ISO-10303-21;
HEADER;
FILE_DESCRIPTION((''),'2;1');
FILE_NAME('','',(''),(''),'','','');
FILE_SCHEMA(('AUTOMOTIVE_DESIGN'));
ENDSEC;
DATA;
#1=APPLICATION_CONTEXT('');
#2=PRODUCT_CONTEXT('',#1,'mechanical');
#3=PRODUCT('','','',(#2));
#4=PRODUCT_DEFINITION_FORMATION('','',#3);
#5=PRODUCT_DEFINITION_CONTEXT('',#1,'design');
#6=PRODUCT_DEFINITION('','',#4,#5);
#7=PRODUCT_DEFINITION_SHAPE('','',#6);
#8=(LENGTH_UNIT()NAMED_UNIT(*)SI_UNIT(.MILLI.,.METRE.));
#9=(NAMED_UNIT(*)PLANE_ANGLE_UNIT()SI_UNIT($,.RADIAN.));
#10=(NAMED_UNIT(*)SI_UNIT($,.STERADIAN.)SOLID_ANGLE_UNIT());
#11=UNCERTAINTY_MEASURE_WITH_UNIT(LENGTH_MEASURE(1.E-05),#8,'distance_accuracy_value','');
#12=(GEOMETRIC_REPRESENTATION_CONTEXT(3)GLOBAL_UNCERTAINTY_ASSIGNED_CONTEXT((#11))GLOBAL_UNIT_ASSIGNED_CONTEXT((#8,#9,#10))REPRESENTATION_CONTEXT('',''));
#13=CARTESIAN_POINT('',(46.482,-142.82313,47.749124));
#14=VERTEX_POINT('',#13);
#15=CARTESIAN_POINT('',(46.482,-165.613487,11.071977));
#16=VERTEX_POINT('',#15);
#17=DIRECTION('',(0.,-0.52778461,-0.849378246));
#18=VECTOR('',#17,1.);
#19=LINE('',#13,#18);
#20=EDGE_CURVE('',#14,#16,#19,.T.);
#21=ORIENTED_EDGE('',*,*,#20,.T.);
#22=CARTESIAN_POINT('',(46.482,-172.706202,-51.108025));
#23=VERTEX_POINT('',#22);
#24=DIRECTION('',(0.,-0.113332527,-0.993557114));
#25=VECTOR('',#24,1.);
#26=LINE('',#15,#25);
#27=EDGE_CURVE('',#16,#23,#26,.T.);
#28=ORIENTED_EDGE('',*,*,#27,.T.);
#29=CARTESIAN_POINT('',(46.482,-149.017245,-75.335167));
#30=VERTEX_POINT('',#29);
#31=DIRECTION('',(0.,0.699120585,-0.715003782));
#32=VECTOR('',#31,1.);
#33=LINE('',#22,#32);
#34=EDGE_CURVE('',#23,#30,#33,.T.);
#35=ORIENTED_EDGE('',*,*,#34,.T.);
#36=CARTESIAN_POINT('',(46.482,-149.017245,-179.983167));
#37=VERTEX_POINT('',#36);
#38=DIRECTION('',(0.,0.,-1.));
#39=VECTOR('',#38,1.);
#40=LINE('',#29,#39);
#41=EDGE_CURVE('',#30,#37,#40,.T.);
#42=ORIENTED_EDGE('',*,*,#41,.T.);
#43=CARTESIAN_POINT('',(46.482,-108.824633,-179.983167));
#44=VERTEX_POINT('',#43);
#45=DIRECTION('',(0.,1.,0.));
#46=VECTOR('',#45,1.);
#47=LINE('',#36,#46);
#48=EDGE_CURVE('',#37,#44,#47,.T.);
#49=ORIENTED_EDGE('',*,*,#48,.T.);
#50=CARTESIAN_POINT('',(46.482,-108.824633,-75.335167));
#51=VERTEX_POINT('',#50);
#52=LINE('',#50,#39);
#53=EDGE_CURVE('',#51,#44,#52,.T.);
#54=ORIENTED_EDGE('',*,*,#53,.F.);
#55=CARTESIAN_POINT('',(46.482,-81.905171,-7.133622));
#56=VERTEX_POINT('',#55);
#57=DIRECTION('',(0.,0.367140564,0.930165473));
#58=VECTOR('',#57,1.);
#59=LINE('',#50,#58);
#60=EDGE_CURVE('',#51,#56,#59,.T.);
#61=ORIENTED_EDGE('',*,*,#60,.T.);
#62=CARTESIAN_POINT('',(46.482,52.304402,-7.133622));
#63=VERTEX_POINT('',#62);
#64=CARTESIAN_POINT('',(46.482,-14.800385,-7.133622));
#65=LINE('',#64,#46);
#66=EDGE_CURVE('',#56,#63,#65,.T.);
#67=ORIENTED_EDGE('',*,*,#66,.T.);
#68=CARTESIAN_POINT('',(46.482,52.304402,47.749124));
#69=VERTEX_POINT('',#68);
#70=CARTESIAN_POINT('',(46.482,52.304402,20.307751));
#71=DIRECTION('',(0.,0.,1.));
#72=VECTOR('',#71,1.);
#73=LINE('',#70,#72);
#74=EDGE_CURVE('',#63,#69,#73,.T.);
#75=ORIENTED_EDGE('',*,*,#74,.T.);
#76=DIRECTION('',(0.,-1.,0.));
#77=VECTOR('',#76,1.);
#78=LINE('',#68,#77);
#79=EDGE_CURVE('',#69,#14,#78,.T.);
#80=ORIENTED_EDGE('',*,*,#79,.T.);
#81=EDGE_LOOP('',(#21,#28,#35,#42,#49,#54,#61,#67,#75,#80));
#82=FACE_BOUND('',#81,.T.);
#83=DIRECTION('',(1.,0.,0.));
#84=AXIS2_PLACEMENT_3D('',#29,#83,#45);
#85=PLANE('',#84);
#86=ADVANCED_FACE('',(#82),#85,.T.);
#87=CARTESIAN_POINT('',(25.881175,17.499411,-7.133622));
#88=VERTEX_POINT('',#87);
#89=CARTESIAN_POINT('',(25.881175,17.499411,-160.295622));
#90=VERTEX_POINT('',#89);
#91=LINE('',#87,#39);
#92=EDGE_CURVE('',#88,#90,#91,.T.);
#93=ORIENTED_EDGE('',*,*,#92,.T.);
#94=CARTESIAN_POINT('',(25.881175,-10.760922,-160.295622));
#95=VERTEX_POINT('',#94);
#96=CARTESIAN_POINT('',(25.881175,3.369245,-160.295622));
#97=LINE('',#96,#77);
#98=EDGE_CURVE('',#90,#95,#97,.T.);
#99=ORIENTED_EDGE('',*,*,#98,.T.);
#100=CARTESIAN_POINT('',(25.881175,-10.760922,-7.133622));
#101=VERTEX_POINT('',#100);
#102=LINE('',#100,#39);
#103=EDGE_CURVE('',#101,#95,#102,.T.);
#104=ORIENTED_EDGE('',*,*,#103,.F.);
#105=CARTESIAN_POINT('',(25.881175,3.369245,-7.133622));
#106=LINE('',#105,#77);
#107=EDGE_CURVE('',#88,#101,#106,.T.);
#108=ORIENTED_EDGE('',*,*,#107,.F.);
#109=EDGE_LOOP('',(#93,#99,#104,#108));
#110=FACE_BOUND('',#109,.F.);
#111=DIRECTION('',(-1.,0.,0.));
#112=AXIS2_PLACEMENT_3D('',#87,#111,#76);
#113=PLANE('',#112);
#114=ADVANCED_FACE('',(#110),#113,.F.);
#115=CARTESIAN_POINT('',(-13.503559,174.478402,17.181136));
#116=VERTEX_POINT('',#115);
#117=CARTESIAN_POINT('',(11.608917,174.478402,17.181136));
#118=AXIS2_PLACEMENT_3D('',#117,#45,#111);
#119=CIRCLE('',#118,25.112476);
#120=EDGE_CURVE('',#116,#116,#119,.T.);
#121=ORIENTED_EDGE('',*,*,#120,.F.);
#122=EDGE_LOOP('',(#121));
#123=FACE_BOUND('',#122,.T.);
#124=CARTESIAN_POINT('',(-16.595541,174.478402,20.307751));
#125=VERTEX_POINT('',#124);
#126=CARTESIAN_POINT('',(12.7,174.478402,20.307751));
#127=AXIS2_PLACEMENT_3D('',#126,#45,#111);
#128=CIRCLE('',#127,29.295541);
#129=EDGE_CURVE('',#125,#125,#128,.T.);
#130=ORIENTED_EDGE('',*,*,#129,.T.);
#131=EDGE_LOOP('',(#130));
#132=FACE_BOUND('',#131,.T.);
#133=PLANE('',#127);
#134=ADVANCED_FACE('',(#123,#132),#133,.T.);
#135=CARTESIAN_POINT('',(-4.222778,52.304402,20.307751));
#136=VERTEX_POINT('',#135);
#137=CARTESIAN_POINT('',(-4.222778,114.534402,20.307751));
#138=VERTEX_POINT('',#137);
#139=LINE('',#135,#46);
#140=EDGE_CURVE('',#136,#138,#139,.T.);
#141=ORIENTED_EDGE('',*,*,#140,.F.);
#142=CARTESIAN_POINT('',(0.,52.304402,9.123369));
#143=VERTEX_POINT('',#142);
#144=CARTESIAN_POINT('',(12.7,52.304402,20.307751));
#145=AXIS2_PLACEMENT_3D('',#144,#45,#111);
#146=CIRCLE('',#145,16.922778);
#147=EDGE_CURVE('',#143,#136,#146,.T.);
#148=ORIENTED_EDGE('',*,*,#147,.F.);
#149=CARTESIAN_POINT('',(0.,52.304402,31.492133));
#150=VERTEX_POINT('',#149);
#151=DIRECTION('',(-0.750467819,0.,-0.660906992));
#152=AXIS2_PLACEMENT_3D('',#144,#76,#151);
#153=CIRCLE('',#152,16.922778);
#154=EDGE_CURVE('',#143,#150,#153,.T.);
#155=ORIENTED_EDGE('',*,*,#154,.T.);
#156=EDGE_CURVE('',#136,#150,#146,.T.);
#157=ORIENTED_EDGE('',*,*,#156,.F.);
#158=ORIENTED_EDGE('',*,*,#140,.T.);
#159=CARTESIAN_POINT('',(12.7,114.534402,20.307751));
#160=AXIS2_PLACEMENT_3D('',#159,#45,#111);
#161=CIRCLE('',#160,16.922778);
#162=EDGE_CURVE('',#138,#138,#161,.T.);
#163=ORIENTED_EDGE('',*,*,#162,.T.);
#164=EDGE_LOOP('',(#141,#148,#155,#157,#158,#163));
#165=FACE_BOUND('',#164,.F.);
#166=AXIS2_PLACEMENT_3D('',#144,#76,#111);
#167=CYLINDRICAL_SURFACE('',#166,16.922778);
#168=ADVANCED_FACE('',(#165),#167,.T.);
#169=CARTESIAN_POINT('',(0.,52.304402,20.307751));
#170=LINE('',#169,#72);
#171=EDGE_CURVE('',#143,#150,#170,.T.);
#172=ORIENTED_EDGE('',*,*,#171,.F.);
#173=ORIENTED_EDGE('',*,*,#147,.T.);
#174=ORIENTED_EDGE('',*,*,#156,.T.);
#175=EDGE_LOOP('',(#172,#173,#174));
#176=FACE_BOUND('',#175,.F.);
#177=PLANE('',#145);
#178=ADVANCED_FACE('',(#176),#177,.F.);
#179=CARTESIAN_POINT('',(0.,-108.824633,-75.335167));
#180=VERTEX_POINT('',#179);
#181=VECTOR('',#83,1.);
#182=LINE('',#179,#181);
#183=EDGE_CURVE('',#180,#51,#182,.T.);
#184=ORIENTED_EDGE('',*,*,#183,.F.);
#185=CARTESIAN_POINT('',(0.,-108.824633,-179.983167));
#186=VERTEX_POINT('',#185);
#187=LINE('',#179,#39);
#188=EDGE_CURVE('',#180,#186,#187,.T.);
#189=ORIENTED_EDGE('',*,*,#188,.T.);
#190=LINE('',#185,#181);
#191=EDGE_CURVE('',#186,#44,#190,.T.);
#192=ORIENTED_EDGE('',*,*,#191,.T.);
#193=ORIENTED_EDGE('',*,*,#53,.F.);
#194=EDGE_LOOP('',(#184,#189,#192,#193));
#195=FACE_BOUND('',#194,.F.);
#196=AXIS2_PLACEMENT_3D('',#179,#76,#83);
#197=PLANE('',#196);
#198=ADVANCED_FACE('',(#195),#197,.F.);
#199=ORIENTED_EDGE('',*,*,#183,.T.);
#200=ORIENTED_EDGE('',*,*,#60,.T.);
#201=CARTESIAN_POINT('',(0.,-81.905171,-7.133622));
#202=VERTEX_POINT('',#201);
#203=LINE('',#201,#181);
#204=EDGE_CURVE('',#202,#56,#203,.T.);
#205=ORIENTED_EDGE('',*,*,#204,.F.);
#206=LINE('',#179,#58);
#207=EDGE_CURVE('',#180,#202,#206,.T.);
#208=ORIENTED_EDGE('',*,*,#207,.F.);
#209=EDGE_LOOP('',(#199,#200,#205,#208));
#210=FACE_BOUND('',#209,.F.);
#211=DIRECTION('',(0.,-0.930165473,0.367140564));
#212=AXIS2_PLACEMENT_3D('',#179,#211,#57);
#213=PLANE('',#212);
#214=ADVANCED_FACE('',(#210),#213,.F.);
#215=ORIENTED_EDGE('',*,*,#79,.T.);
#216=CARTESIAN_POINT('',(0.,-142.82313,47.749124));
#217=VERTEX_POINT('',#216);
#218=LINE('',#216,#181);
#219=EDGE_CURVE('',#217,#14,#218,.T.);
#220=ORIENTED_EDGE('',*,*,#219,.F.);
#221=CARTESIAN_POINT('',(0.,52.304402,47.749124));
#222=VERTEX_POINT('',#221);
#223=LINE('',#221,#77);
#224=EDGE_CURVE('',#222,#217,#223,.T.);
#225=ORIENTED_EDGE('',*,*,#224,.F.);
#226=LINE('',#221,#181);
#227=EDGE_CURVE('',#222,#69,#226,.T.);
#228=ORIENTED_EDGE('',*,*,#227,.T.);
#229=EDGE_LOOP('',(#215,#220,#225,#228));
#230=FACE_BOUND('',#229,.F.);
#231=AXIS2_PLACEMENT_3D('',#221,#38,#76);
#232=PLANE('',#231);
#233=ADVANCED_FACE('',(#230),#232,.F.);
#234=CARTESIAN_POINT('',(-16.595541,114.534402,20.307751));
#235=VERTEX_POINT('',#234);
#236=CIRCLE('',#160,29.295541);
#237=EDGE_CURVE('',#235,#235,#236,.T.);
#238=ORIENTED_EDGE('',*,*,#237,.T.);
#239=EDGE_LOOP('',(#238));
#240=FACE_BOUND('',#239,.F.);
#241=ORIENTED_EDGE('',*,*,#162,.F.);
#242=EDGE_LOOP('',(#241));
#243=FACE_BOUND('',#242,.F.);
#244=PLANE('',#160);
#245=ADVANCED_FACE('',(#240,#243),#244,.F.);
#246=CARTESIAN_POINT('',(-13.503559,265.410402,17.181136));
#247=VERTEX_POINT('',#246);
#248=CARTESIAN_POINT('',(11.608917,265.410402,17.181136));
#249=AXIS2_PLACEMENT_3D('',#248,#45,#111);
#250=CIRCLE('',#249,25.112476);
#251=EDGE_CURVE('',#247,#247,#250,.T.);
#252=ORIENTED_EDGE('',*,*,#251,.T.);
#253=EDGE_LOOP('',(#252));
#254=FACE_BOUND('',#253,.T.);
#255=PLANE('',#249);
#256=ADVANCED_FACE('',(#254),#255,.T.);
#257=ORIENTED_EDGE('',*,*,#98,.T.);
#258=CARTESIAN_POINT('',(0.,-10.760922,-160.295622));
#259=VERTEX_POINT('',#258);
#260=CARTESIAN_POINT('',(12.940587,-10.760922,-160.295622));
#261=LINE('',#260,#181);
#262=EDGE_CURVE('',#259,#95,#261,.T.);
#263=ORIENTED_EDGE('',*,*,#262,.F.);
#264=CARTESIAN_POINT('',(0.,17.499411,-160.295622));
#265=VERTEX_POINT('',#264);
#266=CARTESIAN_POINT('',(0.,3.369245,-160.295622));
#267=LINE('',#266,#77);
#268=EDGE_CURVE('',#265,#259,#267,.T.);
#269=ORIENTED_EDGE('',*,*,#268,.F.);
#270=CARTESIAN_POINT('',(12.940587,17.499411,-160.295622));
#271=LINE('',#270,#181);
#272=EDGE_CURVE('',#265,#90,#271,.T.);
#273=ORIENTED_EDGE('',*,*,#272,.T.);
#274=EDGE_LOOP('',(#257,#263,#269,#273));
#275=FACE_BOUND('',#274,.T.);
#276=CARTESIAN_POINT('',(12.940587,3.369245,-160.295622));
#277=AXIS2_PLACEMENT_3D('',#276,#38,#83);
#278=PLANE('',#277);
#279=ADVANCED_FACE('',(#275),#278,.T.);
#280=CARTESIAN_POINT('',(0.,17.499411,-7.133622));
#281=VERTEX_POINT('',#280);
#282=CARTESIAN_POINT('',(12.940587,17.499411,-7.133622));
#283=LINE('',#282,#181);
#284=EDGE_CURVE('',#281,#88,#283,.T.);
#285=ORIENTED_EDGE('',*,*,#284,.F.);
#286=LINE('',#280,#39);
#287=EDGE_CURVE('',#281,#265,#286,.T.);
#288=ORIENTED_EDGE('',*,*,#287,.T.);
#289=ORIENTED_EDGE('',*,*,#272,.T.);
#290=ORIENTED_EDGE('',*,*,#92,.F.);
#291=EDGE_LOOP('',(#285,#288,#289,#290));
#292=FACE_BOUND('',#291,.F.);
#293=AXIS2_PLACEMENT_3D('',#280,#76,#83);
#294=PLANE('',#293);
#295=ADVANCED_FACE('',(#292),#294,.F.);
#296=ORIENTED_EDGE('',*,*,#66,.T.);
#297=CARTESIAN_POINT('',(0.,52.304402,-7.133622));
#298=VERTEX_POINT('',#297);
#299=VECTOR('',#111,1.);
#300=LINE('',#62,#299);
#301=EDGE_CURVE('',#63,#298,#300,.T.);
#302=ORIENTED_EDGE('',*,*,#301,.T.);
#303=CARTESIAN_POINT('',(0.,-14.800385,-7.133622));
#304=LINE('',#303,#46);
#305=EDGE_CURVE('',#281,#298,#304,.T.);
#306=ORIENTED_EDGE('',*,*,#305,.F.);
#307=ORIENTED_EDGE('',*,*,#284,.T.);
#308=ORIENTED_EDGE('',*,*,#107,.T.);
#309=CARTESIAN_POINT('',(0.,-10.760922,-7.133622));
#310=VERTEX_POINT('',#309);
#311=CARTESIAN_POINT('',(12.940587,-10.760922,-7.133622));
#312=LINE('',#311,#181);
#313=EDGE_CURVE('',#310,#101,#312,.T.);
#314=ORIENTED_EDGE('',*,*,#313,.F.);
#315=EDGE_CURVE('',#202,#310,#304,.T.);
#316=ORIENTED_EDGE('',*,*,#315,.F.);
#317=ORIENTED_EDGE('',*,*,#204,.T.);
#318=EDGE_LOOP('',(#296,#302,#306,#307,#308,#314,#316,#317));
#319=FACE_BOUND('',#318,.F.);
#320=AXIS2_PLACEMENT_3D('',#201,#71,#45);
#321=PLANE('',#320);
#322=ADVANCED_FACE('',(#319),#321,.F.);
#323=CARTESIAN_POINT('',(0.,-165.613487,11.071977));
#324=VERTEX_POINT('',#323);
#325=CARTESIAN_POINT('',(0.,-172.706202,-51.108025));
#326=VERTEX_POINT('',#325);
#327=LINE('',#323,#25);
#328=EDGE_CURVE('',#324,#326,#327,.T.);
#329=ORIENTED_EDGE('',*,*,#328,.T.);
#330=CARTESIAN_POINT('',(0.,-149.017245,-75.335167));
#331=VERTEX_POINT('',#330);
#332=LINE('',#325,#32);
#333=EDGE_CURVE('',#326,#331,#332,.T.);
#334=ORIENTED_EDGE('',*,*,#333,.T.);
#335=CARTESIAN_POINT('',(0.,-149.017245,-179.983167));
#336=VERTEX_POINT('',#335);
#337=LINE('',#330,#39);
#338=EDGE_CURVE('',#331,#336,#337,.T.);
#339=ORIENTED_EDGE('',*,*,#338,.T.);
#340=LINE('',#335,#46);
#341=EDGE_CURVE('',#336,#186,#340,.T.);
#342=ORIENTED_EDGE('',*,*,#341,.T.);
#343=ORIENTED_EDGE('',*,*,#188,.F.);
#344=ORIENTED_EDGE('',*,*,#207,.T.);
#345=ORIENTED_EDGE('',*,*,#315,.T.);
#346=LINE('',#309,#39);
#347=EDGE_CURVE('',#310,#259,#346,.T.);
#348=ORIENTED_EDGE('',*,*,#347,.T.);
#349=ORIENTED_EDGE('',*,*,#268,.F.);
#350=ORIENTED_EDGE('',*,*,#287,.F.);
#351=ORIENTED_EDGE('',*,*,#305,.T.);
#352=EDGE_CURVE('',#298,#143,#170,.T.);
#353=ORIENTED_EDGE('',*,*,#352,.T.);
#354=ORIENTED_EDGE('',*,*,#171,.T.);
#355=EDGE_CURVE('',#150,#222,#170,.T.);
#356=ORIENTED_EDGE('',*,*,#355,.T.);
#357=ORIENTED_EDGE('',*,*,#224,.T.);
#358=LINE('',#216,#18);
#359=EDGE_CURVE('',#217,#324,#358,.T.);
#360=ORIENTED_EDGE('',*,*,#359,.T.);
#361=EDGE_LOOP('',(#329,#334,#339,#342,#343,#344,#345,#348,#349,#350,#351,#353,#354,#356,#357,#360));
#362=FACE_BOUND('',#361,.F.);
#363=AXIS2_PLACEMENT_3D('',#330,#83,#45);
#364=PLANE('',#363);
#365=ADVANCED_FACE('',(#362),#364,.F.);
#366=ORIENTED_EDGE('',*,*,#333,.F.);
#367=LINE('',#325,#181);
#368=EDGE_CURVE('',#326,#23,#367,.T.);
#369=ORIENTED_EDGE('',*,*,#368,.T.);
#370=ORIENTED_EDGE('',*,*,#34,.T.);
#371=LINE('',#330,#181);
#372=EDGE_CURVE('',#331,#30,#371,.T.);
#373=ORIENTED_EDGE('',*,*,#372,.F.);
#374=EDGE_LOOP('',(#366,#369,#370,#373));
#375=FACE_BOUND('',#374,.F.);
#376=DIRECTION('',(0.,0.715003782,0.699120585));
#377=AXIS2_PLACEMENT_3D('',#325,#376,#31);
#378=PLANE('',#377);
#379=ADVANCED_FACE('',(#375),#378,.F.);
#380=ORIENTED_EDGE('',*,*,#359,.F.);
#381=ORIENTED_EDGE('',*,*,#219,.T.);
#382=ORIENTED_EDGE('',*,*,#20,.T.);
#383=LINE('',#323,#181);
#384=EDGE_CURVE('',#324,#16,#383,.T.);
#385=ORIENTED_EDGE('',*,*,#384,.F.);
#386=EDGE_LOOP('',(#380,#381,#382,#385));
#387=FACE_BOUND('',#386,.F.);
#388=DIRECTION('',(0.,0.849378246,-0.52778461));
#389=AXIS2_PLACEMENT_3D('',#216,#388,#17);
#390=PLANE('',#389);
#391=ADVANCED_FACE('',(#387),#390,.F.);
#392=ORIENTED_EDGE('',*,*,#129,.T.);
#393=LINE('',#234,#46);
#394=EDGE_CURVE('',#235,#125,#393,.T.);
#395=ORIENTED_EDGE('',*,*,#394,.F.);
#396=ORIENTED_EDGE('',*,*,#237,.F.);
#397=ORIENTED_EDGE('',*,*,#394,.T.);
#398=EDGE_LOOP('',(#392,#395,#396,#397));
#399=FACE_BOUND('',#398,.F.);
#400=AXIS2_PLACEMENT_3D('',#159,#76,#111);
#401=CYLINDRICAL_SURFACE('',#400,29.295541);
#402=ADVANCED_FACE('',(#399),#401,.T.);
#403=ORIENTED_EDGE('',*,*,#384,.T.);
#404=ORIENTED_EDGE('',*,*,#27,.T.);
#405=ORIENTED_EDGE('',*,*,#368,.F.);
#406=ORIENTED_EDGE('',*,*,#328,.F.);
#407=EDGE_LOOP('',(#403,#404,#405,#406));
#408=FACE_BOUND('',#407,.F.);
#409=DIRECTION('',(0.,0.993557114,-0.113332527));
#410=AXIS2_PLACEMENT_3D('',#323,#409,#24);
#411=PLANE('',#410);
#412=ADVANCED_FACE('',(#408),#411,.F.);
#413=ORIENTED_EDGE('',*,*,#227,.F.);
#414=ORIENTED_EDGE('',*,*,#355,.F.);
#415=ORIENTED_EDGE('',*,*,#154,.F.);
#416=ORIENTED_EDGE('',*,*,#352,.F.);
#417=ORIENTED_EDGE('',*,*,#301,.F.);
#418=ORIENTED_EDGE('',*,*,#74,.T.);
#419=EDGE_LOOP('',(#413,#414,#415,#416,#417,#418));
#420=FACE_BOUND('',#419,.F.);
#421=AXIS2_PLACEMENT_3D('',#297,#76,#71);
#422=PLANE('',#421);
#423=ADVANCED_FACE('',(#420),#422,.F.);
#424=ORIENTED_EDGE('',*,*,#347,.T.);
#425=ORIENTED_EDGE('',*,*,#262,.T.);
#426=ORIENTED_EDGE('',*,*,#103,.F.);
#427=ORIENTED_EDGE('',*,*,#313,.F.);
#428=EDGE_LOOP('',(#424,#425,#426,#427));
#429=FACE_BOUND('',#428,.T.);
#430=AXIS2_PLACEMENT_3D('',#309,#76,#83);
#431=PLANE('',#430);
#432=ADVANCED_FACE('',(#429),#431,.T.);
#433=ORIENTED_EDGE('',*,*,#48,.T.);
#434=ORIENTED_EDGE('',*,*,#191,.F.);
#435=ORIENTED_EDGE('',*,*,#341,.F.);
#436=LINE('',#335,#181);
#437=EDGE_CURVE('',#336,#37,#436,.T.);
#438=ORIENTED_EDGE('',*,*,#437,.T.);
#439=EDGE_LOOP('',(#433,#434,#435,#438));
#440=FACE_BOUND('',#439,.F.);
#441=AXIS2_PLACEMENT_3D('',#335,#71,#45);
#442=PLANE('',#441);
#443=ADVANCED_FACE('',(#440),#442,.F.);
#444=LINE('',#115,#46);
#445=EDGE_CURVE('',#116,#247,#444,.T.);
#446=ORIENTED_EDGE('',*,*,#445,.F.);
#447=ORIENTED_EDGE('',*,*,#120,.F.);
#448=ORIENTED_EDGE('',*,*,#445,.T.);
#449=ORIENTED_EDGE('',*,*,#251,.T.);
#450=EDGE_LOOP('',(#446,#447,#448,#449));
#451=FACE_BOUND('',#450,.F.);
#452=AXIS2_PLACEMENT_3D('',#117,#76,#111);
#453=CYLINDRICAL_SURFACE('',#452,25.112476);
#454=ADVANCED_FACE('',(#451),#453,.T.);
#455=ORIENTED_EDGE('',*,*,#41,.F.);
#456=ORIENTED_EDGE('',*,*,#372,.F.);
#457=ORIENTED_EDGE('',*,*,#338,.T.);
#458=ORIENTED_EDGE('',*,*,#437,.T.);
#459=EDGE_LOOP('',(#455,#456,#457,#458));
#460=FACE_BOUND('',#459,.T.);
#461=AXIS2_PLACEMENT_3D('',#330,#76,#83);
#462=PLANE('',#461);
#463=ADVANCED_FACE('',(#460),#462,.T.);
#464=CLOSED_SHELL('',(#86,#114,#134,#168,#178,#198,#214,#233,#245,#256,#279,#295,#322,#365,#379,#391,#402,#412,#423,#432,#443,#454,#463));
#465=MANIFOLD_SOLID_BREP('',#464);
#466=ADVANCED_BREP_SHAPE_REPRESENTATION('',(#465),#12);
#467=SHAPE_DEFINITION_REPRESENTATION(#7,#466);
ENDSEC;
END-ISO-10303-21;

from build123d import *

# Parameters (mm, degrees)
F0_W      = 134.2095732689
F0_H      = 54.8827461898
F1_DEPTH  = 25.4
F2_R      = 16.9227775992
F3_DEPTH  = 62.23
F4_R      = 29.2955411645
F5_DEPTH  = 59.944
F6_DEPTH  = 46.482
F8_W      = 25.8811749518
F8_H      = 28.2603334635
F9_DEPTH  = 153.162
F11_R     = 25.1124764346
F12_DEPTH = 90.932
F13_DEPTH = 104.648


with BuildPart() as f1:
    # F0 (on Right) → F1 (new body)
    with BuildSketch(Plane.YZ):
        Polygon((-81.9051712751, -7.1336217225), (-81.9051712751, 47.7491244674), (-142.8231298923, 47.7491244674), (-165.6134873629, 11.0719772056), (-172.7062016726, -51.1080250144), (-149.0172445774, -75.3351673484), (-108.8246330619, -75.3351673484), align=None)
        with Locations((-14.8003846407, 20.3077513725)):
            Rectangle(F0_W, F0_H)
    extrude(amount=F1_DEPTH)

    # F2 (on face) → F3 (join)
    with BuildSketch(Plane(origin=(0, 52.3044019938, 0), x_dir=(-1, 0, 0), z_dir=(0, 1, 0))):
        with Locations((-12.7, 20.3077513725)):
            Circle(F2_R)
    extrude(amount=F3_DEPTH)

    # F4 (on face) → F5 (join)
    with BuildSketch(Plane(origin=(0, 114.5344019938, 0), x_dir=(-1, 0, 0), z_dir=(0, 1, 0))):
        with Locations((-12.7, 20.3077513725)):
            Circle(F4_R)
    extrude(amount=F5_DEPTH)

    # F0 (on Right) → F6 (join)
    with BuildSketch(Plane.YZ):
        Polygon((-81.9051712751, -7.1336217225), (-81.9051712751, 47.7491244674), (-142.8231298923, 47.7491244674), (-165.6134873629, 11.0719772056), (-172.7062016726, -51.1080250144), (-149.0172445774, -75.3351673484), (-108.8246330619, -75.3351673484), align=None)
        with Locations((-14.8003846407, 20.3077513725)):
            Rectangle(F0_W, F0_H)
    extrude(amount=F6_DEPTH)

    # F8 (on face) → F9 (join)
    with BuildSketch(Plane(origin=(0, 0, -7.1336217225), x_dir=(1, 0, 0), z_dir=(0, 0, -1))):
        with Locations((12.9405874759, -3.3692447469)):
            Rectangle(F8_W, F8_H)
    extrude(amount=F9_DEPTH)

    # F11 (on face) → F12 (join)
    with BuildSketch(Plane(origin=(0, 174.4784019938, 0), x_dir=(-1, 0, 0), z_dir=(0, 1, 0))):
        with Locations((-11.6089172661, 17.1811357141)):
            Circle(F11_R)
    extrude(amount=F12_DEPTH)

    # F13 (add): a face of the model
    f13_faces = [f1.faces().sort_by_distance(p)[0] for p in [
        (23.241, -128.9209388196, -75.3351673484),
    ]]
    extrude(f13_faces, amount=F13_DEPTH)


solid = f1.part
